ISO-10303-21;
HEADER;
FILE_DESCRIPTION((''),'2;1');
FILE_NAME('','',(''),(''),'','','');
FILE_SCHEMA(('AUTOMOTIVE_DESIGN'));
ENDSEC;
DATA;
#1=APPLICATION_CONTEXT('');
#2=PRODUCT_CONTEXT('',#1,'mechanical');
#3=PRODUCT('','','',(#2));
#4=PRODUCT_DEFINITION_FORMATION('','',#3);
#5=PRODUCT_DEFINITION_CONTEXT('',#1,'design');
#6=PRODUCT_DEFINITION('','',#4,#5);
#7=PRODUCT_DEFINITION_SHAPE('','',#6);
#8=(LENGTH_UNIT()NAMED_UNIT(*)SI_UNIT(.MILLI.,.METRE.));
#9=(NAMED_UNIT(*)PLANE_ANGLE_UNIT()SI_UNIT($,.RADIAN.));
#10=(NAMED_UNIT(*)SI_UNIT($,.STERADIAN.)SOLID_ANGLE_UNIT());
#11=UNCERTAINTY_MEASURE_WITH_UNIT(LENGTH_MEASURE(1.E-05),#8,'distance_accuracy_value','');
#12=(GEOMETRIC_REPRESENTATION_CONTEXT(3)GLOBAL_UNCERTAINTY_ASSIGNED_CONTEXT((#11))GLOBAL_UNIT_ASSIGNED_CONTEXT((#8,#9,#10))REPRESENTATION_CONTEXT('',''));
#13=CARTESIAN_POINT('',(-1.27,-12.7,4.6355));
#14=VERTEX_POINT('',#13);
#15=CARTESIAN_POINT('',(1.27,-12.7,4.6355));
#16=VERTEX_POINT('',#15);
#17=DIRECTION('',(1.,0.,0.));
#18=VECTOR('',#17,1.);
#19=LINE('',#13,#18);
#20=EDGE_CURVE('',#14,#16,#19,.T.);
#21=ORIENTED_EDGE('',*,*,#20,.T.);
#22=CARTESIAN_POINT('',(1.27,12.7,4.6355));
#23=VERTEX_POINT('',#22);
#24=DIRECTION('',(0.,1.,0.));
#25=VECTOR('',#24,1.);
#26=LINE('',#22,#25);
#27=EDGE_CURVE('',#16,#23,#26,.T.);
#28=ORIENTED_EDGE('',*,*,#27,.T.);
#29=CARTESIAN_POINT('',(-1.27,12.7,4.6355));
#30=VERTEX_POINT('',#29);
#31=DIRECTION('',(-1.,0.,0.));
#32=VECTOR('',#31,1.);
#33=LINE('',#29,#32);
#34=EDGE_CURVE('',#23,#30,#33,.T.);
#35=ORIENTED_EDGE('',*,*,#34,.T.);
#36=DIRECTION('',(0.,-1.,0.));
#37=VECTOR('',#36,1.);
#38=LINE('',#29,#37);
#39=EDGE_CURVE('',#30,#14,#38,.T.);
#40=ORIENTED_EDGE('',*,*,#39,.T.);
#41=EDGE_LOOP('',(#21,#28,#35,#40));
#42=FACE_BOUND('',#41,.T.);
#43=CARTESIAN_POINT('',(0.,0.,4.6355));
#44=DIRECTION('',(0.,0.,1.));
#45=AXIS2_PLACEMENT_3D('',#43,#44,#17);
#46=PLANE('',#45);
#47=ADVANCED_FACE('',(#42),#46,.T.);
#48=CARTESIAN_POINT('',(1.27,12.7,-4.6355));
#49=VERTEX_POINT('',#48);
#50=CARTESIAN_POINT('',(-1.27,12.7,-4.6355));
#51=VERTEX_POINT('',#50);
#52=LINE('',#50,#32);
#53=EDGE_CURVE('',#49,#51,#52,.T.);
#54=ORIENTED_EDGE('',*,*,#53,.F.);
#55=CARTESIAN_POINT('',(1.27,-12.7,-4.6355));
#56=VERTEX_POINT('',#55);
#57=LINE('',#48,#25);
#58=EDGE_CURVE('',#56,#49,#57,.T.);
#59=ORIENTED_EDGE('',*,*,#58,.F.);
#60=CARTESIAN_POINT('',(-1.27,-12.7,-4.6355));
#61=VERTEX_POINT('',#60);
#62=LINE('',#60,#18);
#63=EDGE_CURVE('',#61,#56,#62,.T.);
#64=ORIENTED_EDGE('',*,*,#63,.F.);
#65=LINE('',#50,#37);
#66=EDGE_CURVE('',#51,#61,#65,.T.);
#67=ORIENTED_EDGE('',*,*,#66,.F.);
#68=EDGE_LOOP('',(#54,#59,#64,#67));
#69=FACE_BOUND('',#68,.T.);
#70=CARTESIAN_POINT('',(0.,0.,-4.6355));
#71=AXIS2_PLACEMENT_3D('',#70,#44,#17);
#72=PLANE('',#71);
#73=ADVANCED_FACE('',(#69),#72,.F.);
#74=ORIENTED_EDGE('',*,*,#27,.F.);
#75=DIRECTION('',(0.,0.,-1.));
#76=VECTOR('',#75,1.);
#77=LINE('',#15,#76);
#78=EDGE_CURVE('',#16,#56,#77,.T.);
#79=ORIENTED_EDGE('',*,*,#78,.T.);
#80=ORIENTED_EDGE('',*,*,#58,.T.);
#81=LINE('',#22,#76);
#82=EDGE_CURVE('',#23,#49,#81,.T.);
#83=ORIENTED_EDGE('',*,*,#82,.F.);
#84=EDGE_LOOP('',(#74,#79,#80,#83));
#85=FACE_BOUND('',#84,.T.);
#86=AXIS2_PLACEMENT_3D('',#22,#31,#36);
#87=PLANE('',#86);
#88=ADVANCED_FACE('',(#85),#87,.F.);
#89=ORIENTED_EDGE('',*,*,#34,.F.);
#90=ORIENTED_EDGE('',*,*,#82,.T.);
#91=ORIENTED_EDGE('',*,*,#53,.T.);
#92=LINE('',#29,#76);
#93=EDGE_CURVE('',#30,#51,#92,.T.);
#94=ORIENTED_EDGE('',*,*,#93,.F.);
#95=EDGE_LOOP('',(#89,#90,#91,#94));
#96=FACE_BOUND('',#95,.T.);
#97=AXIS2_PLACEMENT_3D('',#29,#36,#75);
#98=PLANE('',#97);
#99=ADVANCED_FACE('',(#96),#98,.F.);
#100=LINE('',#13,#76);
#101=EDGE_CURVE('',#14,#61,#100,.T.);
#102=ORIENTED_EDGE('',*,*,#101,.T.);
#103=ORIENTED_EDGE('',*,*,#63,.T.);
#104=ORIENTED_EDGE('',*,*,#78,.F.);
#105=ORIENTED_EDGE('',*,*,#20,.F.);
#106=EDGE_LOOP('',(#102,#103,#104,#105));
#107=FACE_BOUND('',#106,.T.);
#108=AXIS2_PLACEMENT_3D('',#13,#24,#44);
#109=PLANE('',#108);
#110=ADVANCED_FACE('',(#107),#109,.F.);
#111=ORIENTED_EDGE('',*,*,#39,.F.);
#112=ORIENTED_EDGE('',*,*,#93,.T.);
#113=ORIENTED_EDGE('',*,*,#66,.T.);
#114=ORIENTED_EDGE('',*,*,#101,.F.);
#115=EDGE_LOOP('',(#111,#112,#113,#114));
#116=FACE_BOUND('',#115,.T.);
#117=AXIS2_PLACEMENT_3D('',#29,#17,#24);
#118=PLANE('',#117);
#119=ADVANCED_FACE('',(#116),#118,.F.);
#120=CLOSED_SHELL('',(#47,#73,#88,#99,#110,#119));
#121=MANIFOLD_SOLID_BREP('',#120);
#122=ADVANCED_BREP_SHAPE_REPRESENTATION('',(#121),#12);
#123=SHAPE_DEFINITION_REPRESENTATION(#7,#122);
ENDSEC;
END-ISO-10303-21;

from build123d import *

# Parameters (mm, degrees)
SKETCH2_W           = 2.54
SKETCH2_H           = 25.4
BOSS_EXTRUDE1_DEPTH = 4.6355


with BuildPart() as part:
    # Sketch2 → Boss-Extrude1 (new body, symmetric)
    with BuildSketch(Plane.XY):
        Rectangle(SKETCH2_W, SKETCH2_H)
    extrude(amount=BOSS_EXTRUDE1_DEPTH, both=True)


solid = part.part
